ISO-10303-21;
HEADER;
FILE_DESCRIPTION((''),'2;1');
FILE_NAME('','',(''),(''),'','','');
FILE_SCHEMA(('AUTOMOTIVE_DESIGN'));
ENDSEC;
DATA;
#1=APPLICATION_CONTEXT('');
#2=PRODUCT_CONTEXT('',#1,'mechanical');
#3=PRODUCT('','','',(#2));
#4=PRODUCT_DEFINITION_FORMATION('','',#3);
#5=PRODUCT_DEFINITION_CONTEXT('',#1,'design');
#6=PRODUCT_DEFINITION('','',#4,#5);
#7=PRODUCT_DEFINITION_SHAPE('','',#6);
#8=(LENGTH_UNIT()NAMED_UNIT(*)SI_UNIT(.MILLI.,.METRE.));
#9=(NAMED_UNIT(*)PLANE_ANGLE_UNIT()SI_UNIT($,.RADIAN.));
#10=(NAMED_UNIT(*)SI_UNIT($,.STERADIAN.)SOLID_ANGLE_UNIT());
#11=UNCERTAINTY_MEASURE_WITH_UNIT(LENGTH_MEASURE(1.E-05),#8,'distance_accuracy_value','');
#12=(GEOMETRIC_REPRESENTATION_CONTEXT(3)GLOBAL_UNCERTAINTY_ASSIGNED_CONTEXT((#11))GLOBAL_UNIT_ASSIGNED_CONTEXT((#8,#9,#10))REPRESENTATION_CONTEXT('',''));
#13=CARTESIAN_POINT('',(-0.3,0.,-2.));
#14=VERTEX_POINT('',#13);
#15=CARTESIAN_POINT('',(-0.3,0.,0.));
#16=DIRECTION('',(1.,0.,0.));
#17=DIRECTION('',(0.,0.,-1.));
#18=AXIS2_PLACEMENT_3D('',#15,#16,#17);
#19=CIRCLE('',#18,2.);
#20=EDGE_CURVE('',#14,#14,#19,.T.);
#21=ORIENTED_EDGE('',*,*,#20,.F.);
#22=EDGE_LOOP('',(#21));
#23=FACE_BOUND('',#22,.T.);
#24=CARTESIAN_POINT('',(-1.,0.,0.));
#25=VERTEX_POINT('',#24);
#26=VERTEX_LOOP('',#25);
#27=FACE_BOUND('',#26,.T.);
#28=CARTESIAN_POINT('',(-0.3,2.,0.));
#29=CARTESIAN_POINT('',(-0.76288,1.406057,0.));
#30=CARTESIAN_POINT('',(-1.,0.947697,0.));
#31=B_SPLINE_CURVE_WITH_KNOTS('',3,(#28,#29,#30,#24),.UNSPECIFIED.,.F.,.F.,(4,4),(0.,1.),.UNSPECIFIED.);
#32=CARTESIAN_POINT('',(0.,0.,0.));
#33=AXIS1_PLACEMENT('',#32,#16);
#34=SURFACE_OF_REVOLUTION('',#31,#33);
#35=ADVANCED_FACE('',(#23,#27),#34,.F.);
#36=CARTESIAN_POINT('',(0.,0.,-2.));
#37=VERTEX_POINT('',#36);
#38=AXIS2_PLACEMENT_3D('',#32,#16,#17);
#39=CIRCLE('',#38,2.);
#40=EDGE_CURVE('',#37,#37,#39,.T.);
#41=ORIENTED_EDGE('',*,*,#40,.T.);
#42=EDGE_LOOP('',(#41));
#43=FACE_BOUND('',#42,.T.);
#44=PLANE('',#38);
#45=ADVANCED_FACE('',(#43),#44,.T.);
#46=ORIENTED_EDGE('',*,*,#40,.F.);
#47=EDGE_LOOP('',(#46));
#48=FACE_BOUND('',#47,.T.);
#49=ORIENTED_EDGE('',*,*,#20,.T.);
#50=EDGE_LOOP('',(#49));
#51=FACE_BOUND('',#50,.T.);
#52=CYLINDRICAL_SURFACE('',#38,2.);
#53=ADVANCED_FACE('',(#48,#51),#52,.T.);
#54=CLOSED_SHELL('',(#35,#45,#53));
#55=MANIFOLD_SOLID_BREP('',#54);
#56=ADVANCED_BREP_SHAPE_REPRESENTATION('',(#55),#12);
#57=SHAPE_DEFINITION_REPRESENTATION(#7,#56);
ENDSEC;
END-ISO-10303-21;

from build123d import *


with BuildPart() as part:
    # Lens Profile → Lens Revolve (revolve)
    with BuildSketch(Plane.XY, mode=Mode.PRIVATE) as lens_revolve_sk:
        with BuildLine():
            Line((0, 2), (-0.3, 2))
            add(Edge.make_bspline(
                [(-0.3, 2), (-0.762879565, 1.406057024), (-1, 0.947696714), (-1, 0)],
                knots=[0, 0, 0, 0, 1, 1, 1, 1], degree=3))
            Line((-1, 0), (0, 0))
            Line((0, 0), (0, 2))
        make_face()
    revolve(lens_revolve_sk.sketch.rotate(Axis((0, 0, 0), (-1, 0, 0)), 90), axis=Axis((0, 0, 0), (-1, 0, 0)))


solid = part.part
